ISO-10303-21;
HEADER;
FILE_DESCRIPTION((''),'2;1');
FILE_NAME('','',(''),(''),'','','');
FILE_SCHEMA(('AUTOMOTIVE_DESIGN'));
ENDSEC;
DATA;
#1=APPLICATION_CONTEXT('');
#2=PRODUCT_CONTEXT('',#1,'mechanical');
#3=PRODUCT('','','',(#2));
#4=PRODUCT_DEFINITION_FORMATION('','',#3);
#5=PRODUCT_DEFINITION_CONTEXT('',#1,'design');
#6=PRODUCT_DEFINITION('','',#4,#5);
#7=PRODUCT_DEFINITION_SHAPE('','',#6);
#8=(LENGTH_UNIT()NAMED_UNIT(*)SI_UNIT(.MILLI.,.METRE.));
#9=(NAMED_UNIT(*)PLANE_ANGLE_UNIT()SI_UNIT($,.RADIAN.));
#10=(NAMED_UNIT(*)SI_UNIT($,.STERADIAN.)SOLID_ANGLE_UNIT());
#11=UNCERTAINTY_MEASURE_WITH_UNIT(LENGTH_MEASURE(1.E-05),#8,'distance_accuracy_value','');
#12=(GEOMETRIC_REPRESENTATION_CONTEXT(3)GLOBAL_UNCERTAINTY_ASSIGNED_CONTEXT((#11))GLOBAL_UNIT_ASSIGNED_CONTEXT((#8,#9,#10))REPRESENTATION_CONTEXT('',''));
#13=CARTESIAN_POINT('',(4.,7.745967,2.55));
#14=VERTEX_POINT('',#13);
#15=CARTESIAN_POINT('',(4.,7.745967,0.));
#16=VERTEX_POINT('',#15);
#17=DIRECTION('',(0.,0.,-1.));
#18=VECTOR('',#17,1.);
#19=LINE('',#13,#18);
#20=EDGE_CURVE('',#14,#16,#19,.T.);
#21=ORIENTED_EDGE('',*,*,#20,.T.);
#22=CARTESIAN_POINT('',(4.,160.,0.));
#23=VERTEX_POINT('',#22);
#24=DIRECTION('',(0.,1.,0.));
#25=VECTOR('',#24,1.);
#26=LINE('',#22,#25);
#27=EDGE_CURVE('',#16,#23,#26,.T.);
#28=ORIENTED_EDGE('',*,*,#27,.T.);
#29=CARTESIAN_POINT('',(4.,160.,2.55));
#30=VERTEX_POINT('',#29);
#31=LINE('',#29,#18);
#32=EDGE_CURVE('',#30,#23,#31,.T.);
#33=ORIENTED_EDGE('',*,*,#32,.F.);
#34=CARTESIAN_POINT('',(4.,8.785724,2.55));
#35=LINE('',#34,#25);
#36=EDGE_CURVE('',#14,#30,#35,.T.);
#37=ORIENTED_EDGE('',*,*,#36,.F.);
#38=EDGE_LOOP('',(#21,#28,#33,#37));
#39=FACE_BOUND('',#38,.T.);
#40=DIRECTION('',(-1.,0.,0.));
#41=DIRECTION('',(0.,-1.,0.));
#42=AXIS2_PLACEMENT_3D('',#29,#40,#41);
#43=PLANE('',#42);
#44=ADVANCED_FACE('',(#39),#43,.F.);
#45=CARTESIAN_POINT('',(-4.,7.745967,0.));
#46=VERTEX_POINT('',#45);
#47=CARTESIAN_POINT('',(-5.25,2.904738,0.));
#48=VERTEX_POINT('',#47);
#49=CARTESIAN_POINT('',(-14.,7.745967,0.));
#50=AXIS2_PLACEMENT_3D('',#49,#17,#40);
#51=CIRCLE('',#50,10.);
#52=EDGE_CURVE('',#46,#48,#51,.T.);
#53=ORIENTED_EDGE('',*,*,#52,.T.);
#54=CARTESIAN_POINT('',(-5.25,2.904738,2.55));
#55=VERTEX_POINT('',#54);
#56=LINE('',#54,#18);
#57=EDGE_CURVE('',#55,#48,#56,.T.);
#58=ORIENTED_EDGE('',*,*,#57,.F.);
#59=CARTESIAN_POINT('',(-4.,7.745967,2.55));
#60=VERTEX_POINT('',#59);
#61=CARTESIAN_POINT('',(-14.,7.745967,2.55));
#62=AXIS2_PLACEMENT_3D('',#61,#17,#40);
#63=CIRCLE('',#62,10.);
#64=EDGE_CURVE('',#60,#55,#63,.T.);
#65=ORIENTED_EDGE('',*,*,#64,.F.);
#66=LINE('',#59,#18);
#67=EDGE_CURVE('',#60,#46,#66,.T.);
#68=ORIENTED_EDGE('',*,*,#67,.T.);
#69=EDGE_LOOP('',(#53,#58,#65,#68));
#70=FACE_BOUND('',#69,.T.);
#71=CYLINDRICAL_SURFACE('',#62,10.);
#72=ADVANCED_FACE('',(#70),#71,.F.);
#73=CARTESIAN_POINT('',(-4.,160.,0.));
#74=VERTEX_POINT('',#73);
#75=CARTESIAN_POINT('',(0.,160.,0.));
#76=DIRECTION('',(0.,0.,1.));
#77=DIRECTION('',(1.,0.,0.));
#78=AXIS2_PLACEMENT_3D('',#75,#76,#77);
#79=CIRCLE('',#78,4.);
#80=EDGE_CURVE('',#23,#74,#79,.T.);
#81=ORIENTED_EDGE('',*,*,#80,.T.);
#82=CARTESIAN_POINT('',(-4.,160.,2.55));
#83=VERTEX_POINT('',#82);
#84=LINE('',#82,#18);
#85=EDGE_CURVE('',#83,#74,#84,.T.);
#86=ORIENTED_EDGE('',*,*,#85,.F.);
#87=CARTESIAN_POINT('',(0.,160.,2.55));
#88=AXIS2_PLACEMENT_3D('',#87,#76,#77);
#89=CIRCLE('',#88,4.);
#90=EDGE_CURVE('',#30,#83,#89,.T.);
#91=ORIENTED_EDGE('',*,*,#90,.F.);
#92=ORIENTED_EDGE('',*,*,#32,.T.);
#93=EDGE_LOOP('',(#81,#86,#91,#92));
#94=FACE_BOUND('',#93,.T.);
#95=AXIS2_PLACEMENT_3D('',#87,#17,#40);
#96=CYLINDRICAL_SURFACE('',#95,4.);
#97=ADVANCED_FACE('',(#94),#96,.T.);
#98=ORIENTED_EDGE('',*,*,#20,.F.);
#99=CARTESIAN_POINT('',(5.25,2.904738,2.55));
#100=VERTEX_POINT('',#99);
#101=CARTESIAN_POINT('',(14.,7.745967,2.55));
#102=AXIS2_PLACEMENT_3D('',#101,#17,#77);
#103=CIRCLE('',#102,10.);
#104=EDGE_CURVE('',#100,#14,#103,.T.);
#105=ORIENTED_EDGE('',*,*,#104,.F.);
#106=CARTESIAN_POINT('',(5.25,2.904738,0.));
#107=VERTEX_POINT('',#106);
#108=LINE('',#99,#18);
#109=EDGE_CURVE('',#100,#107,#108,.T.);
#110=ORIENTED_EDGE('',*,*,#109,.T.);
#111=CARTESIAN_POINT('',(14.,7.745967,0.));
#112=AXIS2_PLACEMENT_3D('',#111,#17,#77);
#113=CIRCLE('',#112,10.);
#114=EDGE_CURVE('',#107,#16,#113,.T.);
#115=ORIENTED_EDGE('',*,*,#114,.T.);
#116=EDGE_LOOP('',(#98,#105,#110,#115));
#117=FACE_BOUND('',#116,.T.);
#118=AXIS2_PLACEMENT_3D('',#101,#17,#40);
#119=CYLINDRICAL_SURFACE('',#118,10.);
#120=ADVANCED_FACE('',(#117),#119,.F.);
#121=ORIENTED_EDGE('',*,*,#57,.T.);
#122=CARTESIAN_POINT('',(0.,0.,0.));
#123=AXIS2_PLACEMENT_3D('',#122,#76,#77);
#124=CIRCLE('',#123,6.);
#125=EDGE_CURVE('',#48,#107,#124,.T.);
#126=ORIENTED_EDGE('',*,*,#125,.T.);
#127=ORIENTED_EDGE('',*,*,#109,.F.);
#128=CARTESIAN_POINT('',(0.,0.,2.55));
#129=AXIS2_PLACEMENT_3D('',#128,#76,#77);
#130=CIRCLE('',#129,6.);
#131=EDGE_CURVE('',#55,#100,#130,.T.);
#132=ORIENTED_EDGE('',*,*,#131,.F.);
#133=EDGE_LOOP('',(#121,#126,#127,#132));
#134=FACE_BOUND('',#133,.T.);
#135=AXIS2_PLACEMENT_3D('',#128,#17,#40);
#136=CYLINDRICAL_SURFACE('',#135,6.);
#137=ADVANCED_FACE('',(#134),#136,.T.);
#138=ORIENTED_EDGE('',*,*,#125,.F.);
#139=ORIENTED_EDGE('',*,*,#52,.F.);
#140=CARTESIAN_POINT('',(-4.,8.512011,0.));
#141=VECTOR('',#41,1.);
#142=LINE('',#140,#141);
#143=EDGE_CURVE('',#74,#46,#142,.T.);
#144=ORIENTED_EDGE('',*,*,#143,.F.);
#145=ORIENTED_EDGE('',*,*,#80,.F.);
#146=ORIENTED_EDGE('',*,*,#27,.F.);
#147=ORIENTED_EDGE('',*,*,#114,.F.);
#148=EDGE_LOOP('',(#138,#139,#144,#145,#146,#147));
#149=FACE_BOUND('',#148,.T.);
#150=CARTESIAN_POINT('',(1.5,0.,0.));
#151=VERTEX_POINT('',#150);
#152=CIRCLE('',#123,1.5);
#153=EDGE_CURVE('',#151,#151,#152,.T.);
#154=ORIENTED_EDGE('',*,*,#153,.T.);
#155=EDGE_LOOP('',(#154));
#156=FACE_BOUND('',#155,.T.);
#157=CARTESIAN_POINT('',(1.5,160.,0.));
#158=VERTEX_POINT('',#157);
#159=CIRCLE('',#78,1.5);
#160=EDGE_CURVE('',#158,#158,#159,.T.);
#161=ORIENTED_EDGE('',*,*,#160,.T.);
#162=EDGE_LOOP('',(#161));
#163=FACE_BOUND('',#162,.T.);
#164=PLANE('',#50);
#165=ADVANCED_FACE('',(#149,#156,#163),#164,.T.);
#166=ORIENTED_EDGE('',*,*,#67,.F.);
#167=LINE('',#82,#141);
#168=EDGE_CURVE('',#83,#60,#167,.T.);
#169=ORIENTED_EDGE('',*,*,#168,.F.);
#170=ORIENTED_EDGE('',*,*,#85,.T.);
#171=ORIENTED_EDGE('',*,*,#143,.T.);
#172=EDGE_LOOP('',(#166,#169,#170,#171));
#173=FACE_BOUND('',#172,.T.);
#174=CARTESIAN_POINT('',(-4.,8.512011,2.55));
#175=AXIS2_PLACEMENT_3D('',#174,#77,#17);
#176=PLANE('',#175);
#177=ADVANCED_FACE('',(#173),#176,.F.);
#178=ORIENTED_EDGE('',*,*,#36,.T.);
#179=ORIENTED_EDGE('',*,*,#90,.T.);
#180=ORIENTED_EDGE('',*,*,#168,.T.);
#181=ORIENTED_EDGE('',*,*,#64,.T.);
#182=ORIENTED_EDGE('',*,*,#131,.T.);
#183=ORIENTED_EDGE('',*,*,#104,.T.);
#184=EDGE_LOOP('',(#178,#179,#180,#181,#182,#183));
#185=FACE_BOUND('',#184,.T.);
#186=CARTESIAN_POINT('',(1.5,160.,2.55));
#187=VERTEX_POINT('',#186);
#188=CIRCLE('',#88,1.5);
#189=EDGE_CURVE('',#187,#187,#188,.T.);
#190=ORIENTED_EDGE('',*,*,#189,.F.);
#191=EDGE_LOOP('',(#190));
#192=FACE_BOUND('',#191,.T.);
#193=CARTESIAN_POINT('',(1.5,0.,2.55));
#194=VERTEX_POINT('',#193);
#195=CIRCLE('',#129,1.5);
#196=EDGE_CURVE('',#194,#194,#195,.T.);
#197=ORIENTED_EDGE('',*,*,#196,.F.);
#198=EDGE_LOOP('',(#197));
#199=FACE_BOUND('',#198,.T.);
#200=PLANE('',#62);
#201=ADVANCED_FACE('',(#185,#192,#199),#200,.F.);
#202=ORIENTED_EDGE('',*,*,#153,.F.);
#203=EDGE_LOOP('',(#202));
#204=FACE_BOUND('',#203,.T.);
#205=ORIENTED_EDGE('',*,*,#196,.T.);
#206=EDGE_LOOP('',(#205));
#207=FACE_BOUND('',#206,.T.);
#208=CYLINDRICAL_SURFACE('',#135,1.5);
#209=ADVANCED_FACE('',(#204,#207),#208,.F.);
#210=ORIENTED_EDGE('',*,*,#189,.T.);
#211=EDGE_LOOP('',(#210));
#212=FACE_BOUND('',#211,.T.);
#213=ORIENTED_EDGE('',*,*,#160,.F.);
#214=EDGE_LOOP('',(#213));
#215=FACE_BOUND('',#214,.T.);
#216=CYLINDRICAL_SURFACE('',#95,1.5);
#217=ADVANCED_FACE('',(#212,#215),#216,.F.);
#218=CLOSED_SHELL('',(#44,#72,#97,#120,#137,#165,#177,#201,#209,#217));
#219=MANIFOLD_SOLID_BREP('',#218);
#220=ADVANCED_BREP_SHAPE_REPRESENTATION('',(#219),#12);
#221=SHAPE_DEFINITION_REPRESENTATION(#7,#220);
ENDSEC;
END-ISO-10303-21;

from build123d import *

# Parameters (mm, degrees)
MODEL_R             = 1.5
BOSS_EXTRUDE1_DEPTH = 2.55


with BuildPart() as part:
    # Model → Boss-Extrude1 (new body)
    with BuildSketch(Plane.XY):
        with BuildLine():
            Line((-4, 8.512011392), (-4, 7.745966692))
            ThreePointArc((-4, 7.745966692), (-4.317541634, 5.245966692), (-5.25, 2.90473751))
            ThreePointArc((-5.25, 2.90473751), (0, -6), (5.25, 2.90473751))
            ThreePointArc((5.25, 2.90473751), (4.317541634, 5.245966692), (4, 7.745966692))
            Line((4, 7.745966692), (4, 8.785724032))
            Line((4, 8.785724032), (4, 160))
            ThreePointArc((4, 160), (0, 164), (-4, 160))
            Line((-4, 160), (-4, 8.512011392))
        make_face()
        Circle(MODEL_R, mode=Mode.SUBTRACT)
        with Locations((0, 160)):
            Circle(MODEL_R, mode=Mode.SUBTRACT)
    extrude(amount=BOSS_EXTRUDE1_DEPTH)


solid = part.part
